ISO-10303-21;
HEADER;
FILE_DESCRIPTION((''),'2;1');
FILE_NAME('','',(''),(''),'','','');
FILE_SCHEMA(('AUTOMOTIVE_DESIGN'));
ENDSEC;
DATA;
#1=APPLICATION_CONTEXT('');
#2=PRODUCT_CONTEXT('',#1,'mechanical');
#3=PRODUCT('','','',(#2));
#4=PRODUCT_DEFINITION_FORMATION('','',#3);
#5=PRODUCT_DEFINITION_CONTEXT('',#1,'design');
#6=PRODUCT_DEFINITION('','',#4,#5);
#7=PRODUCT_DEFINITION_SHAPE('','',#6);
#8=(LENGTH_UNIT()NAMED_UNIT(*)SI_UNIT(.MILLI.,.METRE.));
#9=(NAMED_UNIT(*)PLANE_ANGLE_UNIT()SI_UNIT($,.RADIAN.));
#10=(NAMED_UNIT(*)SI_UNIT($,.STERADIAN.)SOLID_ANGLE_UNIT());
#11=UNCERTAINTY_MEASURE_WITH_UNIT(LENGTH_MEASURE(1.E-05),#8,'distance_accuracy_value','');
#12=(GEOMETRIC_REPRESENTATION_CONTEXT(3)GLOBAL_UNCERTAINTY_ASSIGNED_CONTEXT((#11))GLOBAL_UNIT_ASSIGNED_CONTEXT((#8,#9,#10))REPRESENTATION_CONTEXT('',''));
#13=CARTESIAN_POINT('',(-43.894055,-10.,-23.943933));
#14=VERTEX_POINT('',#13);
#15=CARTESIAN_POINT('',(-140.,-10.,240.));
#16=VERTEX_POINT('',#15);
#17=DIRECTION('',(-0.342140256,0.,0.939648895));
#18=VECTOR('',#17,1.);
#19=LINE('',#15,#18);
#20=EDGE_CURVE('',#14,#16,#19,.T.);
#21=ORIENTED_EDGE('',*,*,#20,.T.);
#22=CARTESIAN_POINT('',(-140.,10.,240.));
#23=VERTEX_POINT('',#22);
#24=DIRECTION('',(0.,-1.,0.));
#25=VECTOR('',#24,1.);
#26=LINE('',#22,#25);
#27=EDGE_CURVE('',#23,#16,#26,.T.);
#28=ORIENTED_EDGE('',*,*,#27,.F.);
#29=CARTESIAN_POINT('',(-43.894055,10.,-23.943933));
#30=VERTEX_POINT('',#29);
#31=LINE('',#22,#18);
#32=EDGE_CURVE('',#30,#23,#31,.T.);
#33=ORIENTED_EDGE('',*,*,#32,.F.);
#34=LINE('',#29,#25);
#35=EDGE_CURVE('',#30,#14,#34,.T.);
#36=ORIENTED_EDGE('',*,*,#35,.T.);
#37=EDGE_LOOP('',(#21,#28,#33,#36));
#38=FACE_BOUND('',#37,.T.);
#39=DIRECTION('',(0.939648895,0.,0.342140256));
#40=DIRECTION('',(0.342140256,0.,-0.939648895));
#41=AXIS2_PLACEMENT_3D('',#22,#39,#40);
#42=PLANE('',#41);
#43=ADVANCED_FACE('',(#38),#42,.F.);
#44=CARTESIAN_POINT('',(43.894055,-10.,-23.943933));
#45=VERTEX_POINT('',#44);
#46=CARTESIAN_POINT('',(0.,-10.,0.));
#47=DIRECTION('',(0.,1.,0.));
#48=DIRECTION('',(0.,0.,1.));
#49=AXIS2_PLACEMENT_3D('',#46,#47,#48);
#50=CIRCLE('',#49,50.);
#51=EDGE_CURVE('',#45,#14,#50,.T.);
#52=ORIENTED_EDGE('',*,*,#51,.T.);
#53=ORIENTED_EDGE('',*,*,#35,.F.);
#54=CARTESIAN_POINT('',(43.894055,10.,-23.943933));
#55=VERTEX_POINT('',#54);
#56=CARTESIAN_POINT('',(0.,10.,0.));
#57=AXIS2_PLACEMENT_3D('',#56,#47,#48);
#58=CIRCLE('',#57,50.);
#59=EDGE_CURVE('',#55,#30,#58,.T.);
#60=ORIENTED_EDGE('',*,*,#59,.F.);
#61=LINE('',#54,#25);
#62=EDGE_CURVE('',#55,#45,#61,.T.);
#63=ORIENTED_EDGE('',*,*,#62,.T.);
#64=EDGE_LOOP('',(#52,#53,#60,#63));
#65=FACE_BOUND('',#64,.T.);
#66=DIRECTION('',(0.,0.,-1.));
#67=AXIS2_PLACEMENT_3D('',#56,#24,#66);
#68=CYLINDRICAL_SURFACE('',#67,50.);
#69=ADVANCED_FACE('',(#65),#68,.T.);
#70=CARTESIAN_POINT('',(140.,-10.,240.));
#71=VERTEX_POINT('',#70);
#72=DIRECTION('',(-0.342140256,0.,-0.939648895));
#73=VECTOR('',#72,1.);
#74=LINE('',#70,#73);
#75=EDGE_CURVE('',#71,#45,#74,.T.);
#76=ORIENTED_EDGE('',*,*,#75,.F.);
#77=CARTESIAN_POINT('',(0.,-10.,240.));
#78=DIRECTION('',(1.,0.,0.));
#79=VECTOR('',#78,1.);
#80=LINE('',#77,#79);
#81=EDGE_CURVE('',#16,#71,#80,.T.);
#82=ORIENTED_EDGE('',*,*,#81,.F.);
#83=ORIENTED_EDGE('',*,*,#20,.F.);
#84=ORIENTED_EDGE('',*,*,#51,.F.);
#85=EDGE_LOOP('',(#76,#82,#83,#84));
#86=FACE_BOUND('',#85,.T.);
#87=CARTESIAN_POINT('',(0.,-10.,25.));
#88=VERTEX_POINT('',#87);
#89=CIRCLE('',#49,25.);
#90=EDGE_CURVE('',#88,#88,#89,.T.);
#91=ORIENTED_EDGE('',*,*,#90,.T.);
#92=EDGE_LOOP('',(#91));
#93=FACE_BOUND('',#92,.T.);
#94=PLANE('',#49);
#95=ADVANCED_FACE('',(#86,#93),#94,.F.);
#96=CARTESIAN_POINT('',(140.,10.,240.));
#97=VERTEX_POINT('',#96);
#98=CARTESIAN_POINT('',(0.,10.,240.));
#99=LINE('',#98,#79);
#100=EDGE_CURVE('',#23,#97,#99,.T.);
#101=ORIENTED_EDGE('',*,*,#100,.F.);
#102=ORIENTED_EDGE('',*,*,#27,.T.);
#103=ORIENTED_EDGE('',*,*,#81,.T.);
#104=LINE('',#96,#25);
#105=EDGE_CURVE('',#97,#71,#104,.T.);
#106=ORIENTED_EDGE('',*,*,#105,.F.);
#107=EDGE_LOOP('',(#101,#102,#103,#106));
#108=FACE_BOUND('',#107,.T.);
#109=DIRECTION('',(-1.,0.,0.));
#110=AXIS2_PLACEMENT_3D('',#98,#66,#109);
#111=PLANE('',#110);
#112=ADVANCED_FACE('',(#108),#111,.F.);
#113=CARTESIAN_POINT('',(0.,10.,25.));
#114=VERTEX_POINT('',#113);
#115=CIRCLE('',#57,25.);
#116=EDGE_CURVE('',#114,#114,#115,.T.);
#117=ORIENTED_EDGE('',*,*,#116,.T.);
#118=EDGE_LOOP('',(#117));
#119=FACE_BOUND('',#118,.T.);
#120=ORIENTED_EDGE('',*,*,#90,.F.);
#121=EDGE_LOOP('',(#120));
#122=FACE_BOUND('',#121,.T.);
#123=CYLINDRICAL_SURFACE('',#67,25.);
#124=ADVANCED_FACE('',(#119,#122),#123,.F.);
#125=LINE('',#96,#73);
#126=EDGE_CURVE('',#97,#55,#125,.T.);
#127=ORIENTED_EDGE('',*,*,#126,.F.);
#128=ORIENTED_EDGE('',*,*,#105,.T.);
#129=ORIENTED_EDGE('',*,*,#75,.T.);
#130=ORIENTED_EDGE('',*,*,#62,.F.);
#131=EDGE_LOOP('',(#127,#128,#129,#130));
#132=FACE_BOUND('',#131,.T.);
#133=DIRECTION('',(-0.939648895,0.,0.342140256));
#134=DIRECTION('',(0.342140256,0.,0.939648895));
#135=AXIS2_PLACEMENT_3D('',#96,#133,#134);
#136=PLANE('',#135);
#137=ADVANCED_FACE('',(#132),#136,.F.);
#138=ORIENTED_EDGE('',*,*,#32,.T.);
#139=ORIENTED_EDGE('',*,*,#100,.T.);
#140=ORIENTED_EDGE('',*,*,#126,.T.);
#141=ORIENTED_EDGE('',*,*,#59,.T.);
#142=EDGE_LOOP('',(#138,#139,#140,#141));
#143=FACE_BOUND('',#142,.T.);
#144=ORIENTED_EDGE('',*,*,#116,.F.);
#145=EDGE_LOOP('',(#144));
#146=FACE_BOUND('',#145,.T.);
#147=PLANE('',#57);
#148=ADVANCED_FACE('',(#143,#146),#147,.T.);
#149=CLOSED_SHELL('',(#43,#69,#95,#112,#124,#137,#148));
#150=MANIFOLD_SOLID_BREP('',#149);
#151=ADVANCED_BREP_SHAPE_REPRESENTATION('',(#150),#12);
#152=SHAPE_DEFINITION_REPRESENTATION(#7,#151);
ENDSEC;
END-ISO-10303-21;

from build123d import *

# Parameters (mm, degrees)
SKETCH9_R           = 25
BOSS_EXTRUDE7_DEPTH = 10


with BuildPart() as part:
    # Sketch9 → Boss-Extrude7 (new, symmetric)
    with BuildSketch(Plane(origin=(0, 0, 0), x_dir=(1, 0, 0), z_dir=(0, 1, 0))):
        with BuildLine():
            Line((0, -240), (140, -240))
            Line((140, -240), (43.894055239, 23.943932732))
            ThreePointArc((43.894055239, 23.943932732), (0, 50), (-43.894055239, 23.943932732))
            Line((-43.894055239, 23.943932732), (-140, -240))
            Line((-140, -240), (0, -240))
        make_face()
        with Locations(Location((0, 0, 0), (0, 0, 270))):
            Circle(SKETCH9_R, mode=Mode.SUBTRACT)
    extrude(amount=BOSS_EXTRUDE7_DEPTH, both=True)


solid = part.part
